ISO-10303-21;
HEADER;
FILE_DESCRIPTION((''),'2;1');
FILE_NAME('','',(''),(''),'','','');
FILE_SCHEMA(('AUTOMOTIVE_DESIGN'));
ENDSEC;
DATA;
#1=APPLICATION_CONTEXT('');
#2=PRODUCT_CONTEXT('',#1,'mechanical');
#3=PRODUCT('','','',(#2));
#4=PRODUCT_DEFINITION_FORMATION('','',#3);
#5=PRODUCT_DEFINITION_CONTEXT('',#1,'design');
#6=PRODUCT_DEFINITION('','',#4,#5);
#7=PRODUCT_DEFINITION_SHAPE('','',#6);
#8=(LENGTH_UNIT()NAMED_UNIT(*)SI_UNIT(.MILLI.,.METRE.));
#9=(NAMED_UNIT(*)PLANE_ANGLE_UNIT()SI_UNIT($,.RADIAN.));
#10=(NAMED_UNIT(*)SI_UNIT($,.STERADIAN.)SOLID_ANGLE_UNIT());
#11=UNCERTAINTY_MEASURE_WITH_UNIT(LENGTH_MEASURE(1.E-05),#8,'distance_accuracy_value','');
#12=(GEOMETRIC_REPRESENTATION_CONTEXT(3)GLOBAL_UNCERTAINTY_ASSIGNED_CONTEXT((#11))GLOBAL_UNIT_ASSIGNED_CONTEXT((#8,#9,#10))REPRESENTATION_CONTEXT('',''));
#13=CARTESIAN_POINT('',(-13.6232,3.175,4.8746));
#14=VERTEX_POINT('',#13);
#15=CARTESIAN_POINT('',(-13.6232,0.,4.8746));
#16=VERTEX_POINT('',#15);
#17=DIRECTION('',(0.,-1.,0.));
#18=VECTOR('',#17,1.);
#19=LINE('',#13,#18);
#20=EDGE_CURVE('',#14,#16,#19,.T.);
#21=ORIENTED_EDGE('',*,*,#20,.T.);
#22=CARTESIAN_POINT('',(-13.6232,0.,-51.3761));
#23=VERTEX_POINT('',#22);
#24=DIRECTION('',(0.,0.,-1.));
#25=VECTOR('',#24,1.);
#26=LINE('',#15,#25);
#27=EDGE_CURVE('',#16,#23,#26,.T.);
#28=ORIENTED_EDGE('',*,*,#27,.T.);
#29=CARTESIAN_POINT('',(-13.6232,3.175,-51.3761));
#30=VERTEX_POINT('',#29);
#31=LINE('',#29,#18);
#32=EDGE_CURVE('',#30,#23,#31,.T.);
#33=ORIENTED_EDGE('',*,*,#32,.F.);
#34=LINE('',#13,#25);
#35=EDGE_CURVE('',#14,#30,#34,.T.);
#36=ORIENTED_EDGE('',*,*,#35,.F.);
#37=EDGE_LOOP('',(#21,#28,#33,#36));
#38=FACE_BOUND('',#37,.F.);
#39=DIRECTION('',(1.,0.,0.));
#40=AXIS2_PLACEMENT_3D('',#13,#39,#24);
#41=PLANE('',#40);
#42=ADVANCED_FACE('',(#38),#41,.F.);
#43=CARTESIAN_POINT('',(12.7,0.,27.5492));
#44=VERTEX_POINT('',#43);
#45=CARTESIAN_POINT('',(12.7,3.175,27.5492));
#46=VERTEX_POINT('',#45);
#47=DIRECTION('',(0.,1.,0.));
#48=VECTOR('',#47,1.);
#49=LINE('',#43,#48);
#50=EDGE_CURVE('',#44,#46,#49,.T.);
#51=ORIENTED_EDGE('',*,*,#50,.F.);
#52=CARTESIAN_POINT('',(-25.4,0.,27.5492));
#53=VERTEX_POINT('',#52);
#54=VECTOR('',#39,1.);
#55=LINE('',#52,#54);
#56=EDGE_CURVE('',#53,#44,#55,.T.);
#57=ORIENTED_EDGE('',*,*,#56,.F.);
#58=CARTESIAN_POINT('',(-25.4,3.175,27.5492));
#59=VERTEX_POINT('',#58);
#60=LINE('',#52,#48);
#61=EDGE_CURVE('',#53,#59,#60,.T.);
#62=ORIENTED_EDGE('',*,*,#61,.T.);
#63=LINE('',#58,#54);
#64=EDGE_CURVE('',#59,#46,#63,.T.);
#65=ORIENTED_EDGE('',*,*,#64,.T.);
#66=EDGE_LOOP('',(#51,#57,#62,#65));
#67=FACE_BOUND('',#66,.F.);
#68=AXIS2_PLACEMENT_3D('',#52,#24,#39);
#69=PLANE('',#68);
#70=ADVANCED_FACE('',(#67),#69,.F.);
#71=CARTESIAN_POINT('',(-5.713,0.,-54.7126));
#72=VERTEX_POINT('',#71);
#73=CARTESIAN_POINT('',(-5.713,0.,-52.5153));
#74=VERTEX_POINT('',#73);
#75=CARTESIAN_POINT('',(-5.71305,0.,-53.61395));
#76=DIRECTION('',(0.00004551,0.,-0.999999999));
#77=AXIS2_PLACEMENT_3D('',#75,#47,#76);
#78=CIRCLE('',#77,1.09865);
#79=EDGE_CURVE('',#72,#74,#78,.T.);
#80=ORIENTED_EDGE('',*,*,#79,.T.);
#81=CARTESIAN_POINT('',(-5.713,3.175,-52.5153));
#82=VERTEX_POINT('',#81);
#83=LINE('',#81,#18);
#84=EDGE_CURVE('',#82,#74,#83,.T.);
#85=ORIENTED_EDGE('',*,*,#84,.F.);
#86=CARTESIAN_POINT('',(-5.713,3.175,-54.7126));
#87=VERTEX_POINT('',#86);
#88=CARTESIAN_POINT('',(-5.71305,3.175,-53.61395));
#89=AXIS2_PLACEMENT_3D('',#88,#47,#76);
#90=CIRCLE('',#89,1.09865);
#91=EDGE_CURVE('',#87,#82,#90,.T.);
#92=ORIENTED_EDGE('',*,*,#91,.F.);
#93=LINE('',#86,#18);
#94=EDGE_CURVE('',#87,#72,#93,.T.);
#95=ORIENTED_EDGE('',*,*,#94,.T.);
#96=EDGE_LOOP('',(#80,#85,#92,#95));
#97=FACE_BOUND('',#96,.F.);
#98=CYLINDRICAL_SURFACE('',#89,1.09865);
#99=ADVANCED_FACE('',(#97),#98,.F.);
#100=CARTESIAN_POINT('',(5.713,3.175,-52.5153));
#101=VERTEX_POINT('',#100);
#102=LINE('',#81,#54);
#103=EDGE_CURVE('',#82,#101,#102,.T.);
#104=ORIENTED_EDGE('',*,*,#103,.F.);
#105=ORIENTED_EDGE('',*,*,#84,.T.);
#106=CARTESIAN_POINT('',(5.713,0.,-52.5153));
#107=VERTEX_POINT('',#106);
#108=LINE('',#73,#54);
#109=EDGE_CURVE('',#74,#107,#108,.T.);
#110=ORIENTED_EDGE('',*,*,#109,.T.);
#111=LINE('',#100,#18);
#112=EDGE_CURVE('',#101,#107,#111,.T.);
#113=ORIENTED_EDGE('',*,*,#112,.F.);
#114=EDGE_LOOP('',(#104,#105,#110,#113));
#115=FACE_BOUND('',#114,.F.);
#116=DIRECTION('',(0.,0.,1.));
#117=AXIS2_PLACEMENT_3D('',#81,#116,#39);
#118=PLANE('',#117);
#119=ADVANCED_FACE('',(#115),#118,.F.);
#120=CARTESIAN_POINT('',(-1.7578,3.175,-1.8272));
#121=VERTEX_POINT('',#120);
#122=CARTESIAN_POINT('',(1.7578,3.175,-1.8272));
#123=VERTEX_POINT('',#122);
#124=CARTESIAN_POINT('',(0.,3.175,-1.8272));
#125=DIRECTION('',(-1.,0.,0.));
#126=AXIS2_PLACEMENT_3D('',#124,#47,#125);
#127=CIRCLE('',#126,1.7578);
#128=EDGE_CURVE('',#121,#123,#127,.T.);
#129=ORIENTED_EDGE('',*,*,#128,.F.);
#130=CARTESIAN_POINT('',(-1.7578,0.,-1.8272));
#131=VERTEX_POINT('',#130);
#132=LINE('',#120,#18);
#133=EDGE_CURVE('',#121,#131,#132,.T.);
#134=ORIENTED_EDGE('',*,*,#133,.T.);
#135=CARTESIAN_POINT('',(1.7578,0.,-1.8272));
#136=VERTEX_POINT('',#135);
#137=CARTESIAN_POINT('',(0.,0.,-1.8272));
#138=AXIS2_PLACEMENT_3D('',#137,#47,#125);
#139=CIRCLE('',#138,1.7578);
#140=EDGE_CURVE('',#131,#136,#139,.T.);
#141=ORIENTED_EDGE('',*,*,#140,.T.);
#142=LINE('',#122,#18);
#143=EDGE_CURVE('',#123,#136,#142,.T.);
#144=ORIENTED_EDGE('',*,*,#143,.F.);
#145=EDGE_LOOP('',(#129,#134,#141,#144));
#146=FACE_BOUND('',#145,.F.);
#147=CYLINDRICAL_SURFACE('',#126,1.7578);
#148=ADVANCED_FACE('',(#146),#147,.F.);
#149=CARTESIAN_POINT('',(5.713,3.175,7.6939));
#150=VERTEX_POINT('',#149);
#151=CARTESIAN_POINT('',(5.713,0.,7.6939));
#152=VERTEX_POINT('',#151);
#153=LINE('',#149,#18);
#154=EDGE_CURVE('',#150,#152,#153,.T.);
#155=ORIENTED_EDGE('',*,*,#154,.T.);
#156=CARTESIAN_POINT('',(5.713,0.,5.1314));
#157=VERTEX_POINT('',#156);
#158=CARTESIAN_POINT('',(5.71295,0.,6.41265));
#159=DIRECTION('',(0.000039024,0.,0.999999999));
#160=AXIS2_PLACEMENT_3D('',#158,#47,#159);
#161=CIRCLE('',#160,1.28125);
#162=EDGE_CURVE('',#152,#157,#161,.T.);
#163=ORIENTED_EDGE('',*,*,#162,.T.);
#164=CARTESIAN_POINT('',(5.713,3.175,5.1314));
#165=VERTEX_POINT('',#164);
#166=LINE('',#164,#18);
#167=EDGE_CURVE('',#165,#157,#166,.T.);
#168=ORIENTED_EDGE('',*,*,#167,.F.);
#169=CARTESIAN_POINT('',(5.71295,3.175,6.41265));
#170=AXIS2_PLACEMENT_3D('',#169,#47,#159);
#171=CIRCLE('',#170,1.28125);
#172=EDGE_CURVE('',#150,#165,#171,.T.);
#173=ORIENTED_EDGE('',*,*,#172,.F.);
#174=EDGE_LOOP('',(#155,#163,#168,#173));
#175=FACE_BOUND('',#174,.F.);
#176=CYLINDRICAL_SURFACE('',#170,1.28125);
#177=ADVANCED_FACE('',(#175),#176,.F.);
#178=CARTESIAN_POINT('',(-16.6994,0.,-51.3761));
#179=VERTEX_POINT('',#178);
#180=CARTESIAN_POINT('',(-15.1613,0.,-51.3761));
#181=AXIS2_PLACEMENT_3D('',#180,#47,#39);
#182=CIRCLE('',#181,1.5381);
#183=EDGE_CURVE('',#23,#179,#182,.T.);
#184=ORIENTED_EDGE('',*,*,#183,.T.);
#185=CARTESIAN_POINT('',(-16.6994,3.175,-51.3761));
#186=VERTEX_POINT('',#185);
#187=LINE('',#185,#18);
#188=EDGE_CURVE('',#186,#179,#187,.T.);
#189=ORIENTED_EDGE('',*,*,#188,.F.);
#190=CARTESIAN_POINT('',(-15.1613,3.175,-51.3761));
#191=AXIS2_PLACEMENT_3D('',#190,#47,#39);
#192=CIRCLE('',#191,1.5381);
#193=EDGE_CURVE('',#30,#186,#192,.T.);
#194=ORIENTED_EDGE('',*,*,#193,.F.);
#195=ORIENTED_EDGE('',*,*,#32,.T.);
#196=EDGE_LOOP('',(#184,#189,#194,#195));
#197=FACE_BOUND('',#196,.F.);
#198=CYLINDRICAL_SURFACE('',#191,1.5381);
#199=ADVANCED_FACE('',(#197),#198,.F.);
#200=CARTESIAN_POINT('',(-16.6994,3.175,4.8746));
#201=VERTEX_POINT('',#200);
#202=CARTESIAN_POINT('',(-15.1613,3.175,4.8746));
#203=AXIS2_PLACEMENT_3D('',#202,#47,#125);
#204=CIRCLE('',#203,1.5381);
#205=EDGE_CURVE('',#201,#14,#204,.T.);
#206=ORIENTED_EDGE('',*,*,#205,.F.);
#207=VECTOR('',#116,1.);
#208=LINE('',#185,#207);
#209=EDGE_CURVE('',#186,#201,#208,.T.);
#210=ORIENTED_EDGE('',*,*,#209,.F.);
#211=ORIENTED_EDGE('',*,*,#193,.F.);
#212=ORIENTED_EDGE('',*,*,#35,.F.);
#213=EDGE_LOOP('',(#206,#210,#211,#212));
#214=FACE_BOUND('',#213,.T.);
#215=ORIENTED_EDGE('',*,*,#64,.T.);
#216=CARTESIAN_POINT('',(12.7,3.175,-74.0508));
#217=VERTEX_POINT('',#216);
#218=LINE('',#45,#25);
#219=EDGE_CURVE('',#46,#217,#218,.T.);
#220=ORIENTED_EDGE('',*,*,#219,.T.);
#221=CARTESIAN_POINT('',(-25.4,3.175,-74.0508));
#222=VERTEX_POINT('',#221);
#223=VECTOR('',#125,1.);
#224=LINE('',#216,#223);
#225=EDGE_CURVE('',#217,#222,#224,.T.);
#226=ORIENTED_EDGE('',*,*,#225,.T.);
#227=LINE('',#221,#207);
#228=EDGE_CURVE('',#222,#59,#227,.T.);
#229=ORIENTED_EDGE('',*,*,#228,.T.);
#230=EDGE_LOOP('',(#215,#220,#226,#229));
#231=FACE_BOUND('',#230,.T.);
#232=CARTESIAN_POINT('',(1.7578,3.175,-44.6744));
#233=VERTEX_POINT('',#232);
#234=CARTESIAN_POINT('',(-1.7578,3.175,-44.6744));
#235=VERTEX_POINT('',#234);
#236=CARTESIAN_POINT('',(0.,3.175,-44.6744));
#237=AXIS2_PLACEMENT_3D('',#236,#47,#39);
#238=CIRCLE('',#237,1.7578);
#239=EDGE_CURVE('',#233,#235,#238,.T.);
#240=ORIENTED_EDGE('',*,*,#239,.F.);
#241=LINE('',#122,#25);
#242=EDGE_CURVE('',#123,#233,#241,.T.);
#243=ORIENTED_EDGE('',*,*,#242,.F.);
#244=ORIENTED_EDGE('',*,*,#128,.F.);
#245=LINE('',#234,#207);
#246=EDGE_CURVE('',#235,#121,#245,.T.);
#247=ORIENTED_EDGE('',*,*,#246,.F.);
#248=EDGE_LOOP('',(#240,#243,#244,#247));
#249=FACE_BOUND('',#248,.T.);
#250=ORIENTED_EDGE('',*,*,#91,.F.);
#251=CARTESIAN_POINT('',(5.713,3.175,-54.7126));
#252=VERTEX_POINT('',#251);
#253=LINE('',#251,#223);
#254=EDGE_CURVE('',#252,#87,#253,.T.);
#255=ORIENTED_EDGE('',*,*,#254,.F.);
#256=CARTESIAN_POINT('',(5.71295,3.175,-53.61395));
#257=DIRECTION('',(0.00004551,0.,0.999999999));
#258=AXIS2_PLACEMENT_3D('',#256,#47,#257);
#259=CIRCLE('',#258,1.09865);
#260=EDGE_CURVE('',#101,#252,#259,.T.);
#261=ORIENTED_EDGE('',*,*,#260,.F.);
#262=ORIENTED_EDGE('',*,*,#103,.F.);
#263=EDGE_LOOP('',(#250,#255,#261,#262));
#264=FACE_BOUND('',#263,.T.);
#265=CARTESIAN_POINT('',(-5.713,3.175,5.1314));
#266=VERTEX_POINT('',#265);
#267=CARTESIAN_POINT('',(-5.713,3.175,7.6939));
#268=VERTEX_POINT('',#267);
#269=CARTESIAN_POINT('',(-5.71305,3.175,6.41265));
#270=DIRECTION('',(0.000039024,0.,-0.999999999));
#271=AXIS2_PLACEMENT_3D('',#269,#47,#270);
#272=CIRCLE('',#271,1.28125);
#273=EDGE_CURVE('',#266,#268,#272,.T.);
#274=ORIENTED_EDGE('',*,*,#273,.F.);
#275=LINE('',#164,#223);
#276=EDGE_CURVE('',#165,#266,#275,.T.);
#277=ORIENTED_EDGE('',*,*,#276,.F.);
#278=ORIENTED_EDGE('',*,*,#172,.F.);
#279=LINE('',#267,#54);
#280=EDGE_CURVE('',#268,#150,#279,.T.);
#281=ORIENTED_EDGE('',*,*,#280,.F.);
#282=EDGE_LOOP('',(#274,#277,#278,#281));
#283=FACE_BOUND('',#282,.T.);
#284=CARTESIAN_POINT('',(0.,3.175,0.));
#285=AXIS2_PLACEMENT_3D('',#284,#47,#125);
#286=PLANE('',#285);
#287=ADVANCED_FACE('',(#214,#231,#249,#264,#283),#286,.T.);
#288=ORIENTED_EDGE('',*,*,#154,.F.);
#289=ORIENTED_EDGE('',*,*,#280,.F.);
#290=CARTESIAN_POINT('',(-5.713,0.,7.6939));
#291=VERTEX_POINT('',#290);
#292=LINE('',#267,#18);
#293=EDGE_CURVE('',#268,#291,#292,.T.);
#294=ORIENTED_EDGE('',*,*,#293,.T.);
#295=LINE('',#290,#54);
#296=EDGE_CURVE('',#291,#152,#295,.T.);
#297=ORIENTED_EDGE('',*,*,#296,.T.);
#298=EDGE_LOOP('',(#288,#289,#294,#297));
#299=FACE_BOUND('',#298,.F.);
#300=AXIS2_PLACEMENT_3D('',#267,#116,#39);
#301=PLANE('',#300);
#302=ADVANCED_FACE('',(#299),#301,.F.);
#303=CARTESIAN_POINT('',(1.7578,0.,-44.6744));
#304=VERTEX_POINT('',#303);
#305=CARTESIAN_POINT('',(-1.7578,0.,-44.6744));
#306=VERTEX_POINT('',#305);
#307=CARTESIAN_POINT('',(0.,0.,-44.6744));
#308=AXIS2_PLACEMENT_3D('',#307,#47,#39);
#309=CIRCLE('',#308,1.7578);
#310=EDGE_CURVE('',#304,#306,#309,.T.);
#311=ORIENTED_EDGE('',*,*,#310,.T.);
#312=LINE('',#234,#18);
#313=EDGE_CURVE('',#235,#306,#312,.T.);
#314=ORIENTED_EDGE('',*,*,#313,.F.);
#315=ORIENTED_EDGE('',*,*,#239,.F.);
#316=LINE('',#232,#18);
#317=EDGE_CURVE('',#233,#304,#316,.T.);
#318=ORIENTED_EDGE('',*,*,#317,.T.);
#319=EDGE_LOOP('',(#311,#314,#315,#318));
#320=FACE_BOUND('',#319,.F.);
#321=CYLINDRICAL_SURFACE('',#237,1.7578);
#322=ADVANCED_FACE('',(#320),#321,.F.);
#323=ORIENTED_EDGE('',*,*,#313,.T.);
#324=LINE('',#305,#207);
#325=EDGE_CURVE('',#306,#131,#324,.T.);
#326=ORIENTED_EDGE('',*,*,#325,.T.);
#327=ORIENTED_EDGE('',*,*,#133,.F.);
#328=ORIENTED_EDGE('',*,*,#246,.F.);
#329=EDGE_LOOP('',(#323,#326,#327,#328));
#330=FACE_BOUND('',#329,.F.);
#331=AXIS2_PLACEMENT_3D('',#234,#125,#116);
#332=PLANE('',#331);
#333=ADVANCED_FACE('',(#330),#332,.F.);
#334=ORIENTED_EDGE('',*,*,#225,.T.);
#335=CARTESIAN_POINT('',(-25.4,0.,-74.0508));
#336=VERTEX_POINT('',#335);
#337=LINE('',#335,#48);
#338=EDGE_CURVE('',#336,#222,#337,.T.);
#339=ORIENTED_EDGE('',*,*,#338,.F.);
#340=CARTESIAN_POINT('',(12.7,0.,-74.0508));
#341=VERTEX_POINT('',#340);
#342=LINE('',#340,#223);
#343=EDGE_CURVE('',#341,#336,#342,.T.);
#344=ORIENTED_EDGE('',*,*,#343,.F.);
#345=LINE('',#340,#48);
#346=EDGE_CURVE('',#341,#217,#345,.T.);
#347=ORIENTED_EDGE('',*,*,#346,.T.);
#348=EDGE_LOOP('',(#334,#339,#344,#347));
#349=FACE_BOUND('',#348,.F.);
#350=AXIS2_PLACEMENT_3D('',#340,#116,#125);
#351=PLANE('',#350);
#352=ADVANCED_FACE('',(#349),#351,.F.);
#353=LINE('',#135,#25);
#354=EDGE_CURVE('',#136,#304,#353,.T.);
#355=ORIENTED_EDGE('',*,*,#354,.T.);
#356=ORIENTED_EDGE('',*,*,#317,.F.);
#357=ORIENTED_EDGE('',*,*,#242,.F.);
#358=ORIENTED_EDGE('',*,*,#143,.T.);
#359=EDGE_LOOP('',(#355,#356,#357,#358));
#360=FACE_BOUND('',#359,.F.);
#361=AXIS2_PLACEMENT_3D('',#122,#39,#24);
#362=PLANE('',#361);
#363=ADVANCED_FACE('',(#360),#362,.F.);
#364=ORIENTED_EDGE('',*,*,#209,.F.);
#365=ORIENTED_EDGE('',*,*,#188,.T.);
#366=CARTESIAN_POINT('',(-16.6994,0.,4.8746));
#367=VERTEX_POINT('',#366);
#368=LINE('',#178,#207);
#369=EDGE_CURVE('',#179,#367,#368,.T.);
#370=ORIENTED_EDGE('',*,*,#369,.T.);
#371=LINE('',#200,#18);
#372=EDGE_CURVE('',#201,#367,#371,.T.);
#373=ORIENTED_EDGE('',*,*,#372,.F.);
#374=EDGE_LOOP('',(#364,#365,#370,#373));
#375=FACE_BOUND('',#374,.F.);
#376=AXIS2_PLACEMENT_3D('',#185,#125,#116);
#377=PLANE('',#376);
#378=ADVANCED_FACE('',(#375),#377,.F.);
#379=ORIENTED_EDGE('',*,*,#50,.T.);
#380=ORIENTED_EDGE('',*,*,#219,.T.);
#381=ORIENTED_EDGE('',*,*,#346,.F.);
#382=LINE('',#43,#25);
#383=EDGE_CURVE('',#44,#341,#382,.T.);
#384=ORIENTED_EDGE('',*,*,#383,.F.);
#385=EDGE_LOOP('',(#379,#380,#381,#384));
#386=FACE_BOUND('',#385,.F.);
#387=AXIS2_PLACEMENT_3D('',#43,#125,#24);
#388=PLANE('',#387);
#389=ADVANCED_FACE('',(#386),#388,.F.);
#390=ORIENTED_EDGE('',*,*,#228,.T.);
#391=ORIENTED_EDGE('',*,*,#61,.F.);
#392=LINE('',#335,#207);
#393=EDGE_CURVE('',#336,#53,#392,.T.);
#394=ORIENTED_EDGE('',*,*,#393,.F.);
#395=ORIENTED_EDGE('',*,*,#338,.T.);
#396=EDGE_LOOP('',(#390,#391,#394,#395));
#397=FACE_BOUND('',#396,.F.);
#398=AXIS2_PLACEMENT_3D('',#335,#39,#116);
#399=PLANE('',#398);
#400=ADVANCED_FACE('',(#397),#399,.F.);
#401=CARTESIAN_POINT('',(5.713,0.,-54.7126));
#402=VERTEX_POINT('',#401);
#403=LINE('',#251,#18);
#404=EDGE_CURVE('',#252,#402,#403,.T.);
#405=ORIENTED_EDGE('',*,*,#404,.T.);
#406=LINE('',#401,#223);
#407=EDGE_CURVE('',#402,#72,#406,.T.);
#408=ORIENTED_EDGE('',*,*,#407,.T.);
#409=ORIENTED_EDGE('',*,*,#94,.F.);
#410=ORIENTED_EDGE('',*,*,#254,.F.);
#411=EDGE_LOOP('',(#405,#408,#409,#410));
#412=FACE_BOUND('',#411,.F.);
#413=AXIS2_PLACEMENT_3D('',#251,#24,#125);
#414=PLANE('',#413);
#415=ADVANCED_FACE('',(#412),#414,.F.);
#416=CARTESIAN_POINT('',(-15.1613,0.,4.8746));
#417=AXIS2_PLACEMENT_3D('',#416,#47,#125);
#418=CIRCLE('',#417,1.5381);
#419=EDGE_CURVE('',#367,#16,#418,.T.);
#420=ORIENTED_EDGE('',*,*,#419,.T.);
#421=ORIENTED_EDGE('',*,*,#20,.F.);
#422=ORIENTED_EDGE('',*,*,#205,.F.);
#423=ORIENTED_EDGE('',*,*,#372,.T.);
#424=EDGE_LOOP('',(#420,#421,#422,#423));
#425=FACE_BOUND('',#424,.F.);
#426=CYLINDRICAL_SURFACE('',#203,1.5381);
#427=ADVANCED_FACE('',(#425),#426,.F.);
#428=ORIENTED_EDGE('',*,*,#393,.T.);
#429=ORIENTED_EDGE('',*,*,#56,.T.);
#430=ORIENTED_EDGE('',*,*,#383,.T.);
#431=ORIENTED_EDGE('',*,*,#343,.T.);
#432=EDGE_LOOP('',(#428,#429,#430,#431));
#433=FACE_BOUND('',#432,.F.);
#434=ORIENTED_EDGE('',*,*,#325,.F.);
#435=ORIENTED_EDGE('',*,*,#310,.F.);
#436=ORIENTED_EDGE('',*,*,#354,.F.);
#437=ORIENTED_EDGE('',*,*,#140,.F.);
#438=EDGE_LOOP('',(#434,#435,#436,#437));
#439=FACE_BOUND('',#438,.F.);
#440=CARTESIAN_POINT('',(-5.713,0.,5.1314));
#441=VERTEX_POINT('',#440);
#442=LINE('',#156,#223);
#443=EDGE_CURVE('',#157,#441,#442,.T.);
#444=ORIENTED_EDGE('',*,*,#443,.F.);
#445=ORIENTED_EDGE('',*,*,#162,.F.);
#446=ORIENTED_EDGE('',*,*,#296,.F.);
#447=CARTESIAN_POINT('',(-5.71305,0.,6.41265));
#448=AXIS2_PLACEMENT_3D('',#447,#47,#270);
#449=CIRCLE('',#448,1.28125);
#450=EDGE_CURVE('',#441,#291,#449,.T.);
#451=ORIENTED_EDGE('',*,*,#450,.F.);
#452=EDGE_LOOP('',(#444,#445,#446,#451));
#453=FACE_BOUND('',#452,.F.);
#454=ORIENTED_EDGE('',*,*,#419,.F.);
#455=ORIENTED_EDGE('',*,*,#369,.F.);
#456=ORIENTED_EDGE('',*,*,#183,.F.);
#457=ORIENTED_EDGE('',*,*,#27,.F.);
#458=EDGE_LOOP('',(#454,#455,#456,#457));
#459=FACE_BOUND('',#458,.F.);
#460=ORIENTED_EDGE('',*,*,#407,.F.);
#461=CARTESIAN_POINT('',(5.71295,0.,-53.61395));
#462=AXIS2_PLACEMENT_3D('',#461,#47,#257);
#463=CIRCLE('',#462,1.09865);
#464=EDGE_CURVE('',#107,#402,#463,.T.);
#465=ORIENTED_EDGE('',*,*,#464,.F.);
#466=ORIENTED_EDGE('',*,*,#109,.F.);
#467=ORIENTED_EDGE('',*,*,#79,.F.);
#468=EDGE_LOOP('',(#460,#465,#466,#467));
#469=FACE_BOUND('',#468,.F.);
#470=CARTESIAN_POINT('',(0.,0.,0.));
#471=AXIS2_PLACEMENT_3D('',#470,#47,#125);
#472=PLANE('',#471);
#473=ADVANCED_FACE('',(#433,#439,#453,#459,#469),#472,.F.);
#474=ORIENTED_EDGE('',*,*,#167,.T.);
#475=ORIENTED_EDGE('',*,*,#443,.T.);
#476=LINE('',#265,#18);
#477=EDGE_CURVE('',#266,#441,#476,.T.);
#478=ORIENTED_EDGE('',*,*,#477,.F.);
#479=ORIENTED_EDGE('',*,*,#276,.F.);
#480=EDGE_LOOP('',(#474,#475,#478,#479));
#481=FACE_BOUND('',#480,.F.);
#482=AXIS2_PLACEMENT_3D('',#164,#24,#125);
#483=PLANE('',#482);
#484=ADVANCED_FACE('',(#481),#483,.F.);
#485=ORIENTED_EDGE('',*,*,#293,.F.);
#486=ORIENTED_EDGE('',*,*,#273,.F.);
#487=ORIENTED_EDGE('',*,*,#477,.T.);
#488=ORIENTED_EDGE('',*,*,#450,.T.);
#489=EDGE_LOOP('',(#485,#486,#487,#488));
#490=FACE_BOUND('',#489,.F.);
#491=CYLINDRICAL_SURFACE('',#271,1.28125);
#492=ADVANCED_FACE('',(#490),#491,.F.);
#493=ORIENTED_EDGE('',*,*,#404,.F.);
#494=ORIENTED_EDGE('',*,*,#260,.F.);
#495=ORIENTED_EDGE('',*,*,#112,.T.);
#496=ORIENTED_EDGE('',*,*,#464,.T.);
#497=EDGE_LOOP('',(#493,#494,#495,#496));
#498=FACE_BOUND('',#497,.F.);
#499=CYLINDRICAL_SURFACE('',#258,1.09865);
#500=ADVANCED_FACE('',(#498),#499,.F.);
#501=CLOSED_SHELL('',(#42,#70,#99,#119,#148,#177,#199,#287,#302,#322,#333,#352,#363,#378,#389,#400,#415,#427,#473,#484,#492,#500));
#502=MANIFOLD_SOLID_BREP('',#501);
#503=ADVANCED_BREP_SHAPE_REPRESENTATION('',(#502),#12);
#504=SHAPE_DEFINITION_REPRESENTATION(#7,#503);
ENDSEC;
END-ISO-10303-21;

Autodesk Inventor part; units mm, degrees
ref_plane "YZ Plane" through (0, 0, 0) normal (1, 0, 0) x (0, 1, 0)
ref_plane "XZ Plane" through (0, 0, 0) normal (0, 1, 0) x (-1, 0, 0)
ref_plane "XY Plane" through (0, 0, 0) normal (0, 0, 1) x (1, 0, 0)
sketch "Sketch1" plane through (0, 0, 0) normal (0, 1, 0) x (-1, 0, 0)
  line L0 (-12.7, -74.0508) -> (25.4, -74.0508)
  line L1 (25.4, -74.0508) -> (25.4, 27.5492)
  line L2 (25.4, 27.5492) -> (-12.7, 27.5492)
  line L3 (-12.7, 27.5492) -> (-12.7, -74.0508)
  line L4 (-12.7, -74.0508) -> (25.4, 27.5492) construction
  line L5 (25.4, -74.0508) -> (-12.7, 27.5492) construction
  point P0 (0, 0)
  point P1 (6.35, -23.2508)
  dimension "d0" = 38.1
  dimension "d1" = 101.6
extrude "Extrusion1" add sketch "Sketch1" along normal blind 3.175
sketch "Sketch2" plane through (0, 3.175, 0) normal (0, 1, 0) x (1, 0, 0)
  line L0 (0, 1.8272) -> (0, 44.6744) construction
  line L1 (1.7578, 1.8272) -> (1.7578, 44.6744)
  line L2 (-1.7578, 44.6744) -> (-1.7578, 1.8272)
  arc A0 (-1.7578, 1.8272) -> (1.7578, 1.8272) centre (0, 1.8272) ccw
  arc A1 (1.7578, 44.6744) -> (-1.7578, 44.6744) centre (0, 44.6744) ccw
  line L3 (-15.1613, -4.8746) -> (-15.1613, 51.3761) construction
  line L4 (-13.6232, -4.8746) -> (-13.6232, 51.3761)
  line L5 (-16.6994, 51.3761) -> (-16.6994, -4.8746)
  arc A2 (-16.6994, -4.8746) -> (-13.6232, -4.8746) centre (-15.1613, -4.8746) ccw
  arc A3 (-13.6232, 51.3761) -> (-16.6994, 51.3761) centre (-15.1613, 51.3761) ccw
  line L6 (5.713, -6.4127) -> (-5.713, -6.4127) construction
  line L7 (5.713, -5.1314) -> (-5.713, -5.1314)
  line L8 (-5.713, -7.6939) -> (5.713, -7.6939)
  arc A4 (5.713, -7.6939) -> (5.713, -5.1314) centre (5.713, -6.4127) ccw
  arc A5 (-5.713, -5.1314) -> (-5.713, -7.6939) centre (-5.713, -6.4127) ccw
  line L9 (5.713, 53.6139) -> (-5.713, 53.6139) construction
  line L10 (5.713, 54.7126) -> (-5.713, 54.7126)
  line L11 (-5.713, 52.5153) -> (5.713, 52.5153)
  arc A6 (5.713, 52.5153) -> (5.713, 54.7126) centre (5.713, 53.6139) ccw
  arc A7 (-5.713, 54.7126) -> (-5.713, 52.5153) centre (-5.713, 53.6139) ccw
  line L12 (12.7, -27.5492) -> (12.7, 74.0508) projected
  line L13 (-25.4, 74.0508) -> (-25.4, -27.5492) projected
  point P0 (0, 0)
  point P1 (0, 23.2508)
  point P2 (-15.1613, 23.2508)
  point P3 (0, -6.4127)
  point P4 (0, 53.6139)
  point P5 (12.7, 23.2508)
  point P6 (-25.4, 23.2508)
extrude "Extrusion2" cut sketch "Sketch2" against normal blind 3.175
properties part number "top bottom frame" material "LCP Plastic"
